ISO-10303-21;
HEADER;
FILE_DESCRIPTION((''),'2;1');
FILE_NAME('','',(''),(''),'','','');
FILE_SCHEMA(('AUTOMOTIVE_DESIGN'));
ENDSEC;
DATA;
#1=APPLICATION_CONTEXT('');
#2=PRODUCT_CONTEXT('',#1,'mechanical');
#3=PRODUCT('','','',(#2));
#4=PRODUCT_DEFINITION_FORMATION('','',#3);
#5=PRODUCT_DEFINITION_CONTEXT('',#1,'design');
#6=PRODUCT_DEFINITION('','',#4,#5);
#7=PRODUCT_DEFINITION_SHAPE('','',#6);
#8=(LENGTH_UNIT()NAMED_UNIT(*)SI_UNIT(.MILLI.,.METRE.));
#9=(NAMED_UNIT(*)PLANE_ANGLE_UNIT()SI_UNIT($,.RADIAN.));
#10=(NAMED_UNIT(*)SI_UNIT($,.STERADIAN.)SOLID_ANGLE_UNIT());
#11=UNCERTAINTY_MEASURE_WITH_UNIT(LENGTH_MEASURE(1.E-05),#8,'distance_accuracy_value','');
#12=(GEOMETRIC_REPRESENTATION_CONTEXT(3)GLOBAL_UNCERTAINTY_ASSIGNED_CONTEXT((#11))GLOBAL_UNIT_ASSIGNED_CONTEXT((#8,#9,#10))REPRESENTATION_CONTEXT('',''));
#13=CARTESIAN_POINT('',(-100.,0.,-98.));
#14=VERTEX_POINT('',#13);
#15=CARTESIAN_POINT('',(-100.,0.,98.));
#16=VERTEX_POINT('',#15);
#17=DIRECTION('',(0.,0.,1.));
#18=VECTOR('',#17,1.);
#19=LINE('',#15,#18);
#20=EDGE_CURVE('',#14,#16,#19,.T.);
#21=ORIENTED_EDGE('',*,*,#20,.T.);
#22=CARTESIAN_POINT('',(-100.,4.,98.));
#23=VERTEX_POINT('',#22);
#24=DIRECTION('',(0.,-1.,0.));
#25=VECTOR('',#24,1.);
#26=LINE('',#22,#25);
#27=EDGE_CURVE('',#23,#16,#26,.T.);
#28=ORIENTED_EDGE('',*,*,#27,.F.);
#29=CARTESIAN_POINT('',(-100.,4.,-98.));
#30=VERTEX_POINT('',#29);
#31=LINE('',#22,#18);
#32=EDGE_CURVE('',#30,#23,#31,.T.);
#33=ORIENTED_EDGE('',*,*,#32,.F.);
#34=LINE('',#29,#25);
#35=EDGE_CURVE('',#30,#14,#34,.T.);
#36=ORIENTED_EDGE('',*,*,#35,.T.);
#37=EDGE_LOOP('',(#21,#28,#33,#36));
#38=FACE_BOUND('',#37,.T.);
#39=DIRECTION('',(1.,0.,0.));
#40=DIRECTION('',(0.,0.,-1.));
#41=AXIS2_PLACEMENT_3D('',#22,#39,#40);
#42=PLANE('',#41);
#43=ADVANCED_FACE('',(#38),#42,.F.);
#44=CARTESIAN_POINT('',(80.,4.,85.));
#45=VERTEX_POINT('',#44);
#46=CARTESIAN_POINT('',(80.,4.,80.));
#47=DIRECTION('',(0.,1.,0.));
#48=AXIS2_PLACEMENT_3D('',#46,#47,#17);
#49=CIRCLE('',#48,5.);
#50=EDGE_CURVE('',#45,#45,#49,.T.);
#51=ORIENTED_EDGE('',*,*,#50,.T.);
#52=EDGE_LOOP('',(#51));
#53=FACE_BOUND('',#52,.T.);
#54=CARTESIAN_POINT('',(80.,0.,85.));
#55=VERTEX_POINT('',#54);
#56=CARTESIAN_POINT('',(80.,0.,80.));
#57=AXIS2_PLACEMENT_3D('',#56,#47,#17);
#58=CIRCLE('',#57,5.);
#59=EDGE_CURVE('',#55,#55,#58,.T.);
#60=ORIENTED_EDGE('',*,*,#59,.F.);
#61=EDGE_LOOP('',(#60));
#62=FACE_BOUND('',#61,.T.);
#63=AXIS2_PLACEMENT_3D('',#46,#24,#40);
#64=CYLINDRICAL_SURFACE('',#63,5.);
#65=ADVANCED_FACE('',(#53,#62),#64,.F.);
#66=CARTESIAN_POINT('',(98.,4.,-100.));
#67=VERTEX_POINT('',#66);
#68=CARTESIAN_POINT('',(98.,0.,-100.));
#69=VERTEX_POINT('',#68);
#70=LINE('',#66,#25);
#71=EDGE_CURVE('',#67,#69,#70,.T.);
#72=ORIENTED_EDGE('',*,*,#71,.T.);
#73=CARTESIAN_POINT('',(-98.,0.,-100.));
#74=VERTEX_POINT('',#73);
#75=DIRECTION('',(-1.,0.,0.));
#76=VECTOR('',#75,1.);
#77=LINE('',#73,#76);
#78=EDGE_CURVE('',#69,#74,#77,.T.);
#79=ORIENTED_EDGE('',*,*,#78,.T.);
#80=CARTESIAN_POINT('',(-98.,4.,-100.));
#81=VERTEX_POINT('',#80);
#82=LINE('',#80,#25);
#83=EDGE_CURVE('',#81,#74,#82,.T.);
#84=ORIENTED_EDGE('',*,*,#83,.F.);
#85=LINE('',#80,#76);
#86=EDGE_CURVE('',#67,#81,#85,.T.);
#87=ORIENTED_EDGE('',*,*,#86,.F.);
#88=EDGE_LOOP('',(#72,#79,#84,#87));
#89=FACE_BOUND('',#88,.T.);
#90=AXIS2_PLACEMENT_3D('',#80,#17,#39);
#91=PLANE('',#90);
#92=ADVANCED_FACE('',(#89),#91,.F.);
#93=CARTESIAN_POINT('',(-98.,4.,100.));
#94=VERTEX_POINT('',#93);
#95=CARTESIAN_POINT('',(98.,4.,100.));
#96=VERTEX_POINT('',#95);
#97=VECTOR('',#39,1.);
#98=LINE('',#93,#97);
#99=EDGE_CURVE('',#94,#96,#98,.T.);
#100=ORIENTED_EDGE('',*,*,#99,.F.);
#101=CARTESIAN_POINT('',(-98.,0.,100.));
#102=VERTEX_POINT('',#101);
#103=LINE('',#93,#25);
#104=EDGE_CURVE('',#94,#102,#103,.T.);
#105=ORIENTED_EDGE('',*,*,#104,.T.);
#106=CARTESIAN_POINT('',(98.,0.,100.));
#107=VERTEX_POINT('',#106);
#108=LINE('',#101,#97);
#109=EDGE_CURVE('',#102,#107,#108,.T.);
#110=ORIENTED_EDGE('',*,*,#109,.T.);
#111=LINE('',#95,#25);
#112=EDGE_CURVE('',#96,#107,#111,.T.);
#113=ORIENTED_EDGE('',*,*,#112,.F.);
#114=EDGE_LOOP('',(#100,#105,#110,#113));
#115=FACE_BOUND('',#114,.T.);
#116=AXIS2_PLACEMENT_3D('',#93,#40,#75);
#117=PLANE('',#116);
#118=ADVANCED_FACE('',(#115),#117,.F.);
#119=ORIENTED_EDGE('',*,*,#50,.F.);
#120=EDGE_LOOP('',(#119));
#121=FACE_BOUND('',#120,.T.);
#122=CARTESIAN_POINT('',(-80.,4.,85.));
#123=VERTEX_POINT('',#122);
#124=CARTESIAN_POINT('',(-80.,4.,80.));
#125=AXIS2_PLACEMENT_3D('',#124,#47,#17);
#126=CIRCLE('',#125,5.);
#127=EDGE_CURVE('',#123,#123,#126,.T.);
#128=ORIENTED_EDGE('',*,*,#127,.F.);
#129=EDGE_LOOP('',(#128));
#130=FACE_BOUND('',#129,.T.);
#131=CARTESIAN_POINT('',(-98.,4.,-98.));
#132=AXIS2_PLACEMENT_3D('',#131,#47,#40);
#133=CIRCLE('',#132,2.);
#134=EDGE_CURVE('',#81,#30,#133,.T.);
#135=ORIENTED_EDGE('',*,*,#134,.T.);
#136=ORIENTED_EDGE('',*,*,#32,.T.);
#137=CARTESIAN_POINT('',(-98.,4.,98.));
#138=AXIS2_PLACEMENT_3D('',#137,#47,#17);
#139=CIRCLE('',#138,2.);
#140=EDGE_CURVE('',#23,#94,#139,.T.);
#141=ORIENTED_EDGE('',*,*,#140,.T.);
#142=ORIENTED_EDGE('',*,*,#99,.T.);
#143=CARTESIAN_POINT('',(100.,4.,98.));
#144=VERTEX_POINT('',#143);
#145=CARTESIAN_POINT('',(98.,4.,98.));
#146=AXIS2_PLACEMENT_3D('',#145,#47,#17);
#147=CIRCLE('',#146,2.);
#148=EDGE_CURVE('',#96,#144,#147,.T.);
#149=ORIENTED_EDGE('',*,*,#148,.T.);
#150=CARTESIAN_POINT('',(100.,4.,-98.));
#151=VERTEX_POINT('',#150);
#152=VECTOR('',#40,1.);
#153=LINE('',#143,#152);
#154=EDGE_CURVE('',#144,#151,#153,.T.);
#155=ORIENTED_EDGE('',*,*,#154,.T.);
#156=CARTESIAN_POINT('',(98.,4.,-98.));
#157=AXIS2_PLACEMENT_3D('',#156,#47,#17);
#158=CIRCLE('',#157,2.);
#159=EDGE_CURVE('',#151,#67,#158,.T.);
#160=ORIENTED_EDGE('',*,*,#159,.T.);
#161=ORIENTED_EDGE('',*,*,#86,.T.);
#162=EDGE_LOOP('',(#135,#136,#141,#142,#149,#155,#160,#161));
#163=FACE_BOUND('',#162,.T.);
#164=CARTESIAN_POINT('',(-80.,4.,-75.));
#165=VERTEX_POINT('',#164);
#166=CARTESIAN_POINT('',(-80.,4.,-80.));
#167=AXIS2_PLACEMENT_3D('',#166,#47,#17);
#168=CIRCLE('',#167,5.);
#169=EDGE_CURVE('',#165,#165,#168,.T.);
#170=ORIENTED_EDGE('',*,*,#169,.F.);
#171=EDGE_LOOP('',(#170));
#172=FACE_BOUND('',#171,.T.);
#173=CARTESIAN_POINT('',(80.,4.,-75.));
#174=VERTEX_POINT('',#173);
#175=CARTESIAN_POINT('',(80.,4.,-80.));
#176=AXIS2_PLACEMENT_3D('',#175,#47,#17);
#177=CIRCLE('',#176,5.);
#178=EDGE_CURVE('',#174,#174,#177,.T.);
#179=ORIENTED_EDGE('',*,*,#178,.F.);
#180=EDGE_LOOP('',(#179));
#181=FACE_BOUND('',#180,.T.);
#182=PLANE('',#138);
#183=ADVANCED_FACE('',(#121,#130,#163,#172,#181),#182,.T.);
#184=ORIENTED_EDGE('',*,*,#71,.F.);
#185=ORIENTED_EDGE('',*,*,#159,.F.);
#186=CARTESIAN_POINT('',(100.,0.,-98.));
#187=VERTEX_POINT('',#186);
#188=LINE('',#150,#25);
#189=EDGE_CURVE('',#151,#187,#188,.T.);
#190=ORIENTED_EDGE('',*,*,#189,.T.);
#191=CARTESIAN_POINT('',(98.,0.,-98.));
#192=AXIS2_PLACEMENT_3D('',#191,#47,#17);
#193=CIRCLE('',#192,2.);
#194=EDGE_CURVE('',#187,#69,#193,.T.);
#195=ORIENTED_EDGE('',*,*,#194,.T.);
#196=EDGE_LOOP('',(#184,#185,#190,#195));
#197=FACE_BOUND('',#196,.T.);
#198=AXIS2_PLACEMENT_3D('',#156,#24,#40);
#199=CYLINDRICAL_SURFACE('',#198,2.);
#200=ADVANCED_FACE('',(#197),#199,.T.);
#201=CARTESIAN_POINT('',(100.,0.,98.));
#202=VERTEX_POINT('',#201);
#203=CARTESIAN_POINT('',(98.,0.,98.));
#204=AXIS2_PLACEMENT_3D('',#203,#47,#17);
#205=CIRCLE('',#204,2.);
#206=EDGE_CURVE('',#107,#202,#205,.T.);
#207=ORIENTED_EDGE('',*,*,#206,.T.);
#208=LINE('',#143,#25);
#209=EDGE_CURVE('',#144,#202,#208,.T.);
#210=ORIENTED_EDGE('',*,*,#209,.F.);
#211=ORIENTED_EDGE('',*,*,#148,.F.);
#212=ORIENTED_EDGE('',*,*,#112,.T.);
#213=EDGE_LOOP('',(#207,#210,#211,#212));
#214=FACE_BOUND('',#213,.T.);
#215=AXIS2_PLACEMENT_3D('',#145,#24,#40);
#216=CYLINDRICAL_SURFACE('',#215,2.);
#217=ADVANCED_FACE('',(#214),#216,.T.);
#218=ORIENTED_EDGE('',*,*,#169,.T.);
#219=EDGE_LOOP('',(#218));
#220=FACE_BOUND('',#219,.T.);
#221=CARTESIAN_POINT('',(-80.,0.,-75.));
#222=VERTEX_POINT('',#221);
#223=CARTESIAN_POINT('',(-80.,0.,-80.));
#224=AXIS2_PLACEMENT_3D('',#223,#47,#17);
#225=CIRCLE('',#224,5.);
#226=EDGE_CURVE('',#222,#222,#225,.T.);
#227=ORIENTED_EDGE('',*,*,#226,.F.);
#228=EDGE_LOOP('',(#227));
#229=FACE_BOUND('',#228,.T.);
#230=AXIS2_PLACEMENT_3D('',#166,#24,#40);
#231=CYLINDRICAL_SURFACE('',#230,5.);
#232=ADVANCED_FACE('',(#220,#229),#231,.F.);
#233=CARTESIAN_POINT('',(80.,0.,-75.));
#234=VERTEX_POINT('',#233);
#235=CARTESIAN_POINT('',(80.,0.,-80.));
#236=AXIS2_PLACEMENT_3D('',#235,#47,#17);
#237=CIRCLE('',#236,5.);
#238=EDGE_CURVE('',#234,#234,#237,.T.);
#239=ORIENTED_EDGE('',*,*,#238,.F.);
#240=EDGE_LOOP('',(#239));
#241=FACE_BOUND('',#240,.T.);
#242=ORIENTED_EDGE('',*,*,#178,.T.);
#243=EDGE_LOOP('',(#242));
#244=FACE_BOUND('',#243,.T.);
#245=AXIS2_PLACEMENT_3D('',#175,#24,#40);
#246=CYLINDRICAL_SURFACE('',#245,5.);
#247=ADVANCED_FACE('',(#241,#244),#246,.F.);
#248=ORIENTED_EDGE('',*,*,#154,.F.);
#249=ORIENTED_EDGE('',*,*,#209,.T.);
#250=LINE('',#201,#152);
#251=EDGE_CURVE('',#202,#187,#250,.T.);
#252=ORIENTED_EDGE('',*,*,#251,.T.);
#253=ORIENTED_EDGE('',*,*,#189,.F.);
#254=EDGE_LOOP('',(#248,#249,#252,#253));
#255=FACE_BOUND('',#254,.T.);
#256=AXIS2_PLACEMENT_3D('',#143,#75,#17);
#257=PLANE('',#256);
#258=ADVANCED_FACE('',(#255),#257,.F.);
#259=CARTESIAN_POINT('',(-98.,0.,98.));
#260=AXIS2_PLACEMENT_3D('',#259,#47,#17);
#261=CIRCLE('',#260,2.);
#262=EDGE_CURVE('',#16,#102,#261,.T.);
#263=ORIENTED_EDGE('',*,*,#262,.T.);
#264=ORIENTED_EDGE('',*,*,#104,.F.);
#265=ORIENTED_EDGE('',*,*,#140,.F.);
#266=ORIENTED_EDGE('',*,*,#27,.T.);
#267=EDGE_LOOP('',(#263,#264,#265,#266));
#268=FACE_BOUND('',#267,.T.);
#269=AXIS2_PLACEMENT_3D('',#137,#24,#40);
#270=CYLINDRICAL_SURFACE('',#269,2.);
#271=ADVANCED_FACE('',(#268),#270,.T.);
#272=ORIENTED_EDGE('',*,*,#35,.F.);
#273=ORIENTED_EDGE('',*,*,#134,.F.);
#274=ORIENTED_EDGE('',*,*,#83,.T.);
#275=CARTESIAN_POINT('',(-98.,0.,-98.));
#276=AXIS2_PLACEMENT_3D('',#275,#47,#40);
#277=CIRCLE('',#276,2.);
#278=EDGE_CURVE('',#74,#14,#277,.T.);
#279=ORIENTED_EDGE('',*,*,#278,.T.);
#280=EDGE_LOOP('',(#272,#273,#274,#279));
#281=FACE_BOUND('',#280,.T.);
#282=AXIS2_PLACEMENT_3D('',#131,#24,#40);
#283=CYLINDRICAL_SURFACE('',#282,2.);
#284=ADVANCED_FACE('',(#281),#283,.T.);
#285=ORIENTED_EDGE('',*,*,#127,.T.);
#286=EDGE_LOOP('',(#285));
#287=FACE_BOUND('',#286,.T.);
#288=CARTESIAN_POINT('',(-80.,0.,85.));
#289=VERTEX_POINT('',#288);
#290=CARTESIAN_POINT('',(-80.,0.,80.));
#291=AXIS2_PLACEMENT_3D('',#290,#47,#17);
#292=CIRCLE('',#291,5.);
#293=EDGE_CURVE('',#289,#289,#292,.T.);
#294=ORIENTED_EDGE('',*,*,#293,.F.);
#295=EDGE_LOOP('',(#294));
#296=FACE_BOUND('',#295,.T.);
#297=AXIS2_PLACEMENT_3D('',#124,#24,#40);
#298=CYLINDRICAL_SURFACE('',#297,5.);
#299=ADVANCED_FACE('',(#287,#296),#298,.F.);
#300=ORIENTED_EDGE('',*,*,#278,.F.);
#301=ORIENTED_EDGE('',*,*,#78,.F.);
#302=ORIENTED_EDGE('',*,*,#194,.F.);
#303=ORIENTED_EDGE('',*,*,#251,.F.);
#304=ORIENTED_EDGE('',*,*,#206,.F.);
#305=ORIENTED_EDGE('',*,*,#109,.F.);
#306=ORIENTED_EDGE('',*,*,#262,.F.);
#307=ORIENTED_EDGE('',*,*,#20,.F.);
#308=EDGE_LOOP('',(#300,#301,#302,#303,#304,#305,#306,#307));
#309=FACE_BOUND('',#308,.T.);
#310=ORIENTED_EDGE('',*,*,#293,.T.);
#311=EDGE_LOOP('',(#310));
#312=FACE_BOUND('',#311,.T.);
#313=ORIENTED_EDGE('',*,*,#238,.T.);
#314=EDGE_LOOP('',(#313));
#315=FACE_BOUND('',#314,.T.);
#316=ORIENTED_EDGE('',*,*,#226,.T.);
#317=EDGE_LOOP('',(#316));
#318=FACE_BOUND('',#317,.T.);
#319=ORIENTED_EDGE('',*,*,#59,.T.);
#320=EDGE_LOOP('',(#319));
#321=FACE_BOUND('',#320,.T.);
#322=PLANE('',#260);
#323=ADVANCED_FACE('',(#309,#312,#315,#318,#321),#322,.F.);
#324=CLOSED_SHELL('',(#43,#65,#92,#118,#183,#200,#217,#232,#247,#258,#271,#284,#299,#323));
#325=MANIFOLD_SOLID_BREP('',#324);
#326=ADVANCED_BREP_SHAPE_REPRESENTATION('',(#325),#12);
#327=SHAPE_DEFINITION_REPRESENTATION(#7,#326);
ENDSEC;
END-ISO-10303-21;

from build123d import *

# Parameters (mm, degrees)
SKETCH1_R           = 5
BOSS_EXTRUDE1_DEPTH = 4


with BuildPart() as part:
    # Sketch1 → Boss-Extrude1 (new body)
    with BuildSketch(Plane(origin=(0, 0, 0), x_dir=(1, 0, 0), z_dir=(0, 1, 0))):
        with BuildLine():
            Line((-98, -100), (98, -100))
            ThreePointArc((98, -100), (99.414213562, -99.414213562), (100, -98))
            Line((100, -98), (100, 98))
            ThreePointArc((100, 98), (99.414213562, 99.414213562), (98, 100))
            Line((98, 100), (-98, 100))
            ThreePointArc((-98, 100), (-99.414213562, 99.414213562), (-100, 98))
            Line((-100, 98), (-100, -98))
            ThreePointArc((-100, -98), (-99.414213562, -99.414213562), (-98, -100))
        make_face()
        with Locations((-80, -80)):
            Circle(SKETCH1_R, mode=Mode.SUBTRACT)
        with Locations((80, -80)):
            Circle(SKETCH1_R, mode=Mode.SUBTRACT)
        with Locations((80, 80)):
            Circle(SKETCH1_R, mode=Mode.SUBTRACT)
        with Locations((-80, 80)):
            Circle(SKETCH1_R, mode=Mode.SUBTRACT)
    extrude(amount=BOSS_EXTRUDE1_DEPTH)


solid = part.part
